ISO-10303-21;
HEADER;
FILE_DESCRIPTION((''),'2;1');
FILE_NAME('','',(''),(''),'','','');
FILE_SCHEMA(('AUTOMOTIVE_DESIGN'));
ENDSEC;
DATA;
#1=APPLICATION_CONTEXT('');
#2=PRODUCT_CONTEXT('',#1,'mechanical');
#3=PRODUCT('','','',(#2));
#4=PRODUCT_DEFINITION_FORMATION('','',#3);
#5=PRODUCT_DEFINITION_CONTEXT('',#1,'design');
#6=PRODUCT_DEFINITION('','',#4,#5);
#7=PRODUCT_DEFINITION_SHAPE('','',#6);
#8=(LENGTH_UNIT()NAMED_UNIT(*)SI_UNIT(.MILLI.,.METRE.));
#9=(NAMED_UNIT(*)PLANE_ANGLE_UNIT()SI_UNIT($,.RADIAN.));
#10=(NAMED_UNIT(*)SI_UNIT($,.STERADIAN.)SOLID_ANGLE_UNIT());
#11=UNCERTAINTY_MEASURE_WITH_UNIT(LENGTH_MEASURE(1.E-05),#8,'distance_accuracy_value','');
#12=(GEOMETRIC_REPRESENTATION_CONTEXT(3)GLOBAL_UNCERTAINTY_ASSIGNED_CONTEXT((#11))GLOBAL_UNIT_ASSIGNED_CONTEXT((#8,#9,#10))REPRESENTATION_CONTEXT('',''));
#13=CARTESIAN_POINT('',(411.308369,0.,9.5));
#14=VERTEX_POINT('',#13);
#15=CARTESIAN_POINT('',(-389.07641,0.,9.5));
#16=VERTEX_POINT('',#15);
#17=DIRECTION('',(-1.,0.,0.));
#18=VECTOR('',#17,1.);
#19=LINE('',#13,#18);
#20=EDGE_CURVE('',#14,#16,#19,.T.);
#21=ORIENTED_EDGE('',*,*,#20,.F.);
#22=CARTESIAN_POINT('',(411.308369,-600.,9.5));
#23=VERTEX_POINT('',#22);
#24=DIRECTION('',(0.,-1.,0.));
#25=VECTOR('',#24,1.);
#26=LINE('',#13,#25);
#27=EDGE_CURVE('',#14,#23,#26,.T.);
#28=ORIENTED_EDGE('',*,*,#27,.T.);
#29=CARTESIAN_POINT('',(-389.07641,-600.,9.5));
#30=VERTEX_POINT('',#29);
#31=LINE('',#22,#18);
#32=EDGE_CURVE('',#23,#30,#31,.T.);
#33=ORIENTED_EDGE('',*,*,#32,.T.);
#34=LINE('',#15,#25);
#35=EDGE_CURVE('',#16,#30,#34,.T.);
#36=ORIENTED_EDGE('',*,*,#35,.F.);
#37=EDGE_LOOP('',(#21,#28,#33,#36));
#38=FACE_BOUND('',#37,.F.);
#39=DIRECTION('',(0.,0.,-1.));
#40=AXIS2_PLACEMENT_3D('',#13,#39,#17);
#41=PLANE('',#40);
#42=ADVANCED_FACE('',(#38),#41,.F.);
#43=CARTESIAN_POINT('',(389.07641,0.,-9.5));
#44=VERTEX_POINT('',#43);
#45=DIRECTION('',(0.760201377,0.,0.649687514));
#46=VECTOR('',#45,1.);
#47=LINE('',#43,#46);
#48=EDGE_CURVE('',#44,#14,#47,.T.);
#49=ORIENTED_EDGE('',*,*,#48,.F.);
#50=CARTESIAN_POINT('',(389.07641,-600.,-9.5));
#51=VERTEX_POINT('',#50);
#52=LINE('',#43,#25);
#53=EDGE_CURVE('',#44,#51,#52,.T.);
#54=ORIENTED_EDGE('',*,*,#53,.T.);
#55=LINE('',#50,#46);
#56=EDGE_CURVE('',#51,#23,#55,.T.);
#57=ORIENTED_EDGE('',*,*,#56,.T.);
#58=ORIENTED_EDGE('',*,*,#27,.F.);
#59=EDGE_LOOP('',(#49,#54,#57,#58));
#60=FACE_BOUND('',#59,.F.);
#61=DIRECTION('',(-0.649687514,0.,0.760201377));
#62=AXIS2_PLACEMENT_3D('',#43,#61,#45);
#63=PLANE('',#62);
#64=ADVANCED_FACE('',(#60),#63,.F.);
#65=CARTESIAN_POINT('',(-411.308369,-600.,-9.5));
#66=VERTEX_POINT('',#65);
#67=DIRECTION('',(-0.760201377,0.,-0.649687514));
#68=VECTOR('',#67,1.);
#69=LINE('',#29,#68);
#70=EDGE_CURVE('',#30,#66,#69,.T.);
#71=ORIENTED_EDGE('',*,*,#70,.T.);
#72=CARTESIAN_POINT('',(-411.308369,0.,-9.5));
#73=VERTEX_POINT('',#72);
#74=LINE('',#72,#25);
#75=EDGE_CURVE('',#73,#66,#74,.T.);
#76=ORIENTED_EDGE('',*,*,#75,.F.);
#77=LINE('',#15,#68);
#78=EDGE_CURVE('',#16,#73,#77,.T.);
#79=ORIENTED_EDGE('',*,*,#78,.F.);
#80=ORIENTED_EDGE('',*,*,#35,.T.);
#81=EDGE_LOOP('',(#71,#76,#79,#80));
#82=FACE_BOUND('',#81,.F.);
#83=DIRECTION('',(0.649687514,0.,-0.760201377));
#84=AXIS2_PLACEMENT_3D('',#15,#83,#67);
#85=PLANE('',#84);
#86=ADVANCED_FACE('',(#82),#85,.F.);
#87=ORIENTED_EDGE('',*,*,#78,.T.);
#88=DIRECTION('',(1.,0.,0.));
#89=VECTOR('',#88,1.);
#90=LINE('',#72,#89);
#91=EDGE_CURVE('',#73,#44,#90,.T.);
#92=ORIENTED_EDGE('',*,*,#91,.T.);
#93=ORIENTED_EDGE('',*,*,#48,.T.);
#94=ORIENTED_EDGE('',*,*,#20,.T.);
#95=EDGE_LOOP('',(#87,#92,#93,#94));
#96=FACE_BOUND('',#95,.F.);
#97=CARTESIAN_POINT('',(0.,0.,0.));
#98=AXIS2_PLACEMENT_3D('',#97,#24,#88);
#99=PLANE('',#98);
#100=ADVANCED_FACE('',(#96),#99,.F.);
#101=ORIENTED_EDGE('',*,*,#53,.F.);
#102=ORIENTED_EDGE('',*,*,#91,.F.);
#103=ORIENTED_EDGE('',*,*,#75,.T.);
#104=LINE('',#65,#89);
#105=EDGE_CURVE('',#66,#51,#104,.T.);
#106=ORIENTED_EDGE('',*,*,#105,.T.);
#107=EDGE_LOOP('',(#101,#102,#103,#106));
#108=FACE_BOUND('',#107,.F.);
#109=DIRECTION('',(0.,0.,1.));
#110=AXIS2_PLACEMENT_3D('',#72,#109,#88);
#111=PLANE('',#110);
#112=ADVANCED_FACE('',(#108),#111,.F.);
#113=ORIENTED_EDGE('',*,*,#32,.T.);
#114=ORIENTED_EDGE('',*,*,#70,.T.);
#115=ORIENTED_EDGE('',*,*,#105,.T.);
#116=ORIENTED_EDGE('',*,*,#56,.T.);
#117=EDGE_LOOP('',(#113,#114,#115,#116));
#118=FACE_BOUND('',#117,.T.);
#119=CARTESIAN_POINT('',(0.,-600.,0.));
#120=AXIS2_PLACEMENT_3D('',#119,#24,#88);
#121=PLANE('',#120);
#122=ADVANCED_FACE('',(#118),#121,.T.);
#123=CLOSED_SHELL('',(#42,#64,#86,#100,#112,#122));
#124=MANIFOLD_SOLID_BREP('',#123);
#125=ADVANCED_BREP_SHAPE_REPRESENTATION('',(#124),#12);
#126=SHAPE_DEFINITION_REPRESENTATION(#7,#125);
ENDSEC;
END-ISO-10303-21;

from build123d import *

# Parameters (mm, degrees)
PAD_DEPTH = 600


with BuildPart() as part:
    # Sketch → Pad (new body)
    with BuildSketch(Plane.XZ):
        Polygon((-411.308369, -9.5), (389.07641, -9.5), (411.308369, 9.5), (-389.07641, 9.5), align=None)
    extrude(amount=PAD_DEPTH)


solid = part.part
